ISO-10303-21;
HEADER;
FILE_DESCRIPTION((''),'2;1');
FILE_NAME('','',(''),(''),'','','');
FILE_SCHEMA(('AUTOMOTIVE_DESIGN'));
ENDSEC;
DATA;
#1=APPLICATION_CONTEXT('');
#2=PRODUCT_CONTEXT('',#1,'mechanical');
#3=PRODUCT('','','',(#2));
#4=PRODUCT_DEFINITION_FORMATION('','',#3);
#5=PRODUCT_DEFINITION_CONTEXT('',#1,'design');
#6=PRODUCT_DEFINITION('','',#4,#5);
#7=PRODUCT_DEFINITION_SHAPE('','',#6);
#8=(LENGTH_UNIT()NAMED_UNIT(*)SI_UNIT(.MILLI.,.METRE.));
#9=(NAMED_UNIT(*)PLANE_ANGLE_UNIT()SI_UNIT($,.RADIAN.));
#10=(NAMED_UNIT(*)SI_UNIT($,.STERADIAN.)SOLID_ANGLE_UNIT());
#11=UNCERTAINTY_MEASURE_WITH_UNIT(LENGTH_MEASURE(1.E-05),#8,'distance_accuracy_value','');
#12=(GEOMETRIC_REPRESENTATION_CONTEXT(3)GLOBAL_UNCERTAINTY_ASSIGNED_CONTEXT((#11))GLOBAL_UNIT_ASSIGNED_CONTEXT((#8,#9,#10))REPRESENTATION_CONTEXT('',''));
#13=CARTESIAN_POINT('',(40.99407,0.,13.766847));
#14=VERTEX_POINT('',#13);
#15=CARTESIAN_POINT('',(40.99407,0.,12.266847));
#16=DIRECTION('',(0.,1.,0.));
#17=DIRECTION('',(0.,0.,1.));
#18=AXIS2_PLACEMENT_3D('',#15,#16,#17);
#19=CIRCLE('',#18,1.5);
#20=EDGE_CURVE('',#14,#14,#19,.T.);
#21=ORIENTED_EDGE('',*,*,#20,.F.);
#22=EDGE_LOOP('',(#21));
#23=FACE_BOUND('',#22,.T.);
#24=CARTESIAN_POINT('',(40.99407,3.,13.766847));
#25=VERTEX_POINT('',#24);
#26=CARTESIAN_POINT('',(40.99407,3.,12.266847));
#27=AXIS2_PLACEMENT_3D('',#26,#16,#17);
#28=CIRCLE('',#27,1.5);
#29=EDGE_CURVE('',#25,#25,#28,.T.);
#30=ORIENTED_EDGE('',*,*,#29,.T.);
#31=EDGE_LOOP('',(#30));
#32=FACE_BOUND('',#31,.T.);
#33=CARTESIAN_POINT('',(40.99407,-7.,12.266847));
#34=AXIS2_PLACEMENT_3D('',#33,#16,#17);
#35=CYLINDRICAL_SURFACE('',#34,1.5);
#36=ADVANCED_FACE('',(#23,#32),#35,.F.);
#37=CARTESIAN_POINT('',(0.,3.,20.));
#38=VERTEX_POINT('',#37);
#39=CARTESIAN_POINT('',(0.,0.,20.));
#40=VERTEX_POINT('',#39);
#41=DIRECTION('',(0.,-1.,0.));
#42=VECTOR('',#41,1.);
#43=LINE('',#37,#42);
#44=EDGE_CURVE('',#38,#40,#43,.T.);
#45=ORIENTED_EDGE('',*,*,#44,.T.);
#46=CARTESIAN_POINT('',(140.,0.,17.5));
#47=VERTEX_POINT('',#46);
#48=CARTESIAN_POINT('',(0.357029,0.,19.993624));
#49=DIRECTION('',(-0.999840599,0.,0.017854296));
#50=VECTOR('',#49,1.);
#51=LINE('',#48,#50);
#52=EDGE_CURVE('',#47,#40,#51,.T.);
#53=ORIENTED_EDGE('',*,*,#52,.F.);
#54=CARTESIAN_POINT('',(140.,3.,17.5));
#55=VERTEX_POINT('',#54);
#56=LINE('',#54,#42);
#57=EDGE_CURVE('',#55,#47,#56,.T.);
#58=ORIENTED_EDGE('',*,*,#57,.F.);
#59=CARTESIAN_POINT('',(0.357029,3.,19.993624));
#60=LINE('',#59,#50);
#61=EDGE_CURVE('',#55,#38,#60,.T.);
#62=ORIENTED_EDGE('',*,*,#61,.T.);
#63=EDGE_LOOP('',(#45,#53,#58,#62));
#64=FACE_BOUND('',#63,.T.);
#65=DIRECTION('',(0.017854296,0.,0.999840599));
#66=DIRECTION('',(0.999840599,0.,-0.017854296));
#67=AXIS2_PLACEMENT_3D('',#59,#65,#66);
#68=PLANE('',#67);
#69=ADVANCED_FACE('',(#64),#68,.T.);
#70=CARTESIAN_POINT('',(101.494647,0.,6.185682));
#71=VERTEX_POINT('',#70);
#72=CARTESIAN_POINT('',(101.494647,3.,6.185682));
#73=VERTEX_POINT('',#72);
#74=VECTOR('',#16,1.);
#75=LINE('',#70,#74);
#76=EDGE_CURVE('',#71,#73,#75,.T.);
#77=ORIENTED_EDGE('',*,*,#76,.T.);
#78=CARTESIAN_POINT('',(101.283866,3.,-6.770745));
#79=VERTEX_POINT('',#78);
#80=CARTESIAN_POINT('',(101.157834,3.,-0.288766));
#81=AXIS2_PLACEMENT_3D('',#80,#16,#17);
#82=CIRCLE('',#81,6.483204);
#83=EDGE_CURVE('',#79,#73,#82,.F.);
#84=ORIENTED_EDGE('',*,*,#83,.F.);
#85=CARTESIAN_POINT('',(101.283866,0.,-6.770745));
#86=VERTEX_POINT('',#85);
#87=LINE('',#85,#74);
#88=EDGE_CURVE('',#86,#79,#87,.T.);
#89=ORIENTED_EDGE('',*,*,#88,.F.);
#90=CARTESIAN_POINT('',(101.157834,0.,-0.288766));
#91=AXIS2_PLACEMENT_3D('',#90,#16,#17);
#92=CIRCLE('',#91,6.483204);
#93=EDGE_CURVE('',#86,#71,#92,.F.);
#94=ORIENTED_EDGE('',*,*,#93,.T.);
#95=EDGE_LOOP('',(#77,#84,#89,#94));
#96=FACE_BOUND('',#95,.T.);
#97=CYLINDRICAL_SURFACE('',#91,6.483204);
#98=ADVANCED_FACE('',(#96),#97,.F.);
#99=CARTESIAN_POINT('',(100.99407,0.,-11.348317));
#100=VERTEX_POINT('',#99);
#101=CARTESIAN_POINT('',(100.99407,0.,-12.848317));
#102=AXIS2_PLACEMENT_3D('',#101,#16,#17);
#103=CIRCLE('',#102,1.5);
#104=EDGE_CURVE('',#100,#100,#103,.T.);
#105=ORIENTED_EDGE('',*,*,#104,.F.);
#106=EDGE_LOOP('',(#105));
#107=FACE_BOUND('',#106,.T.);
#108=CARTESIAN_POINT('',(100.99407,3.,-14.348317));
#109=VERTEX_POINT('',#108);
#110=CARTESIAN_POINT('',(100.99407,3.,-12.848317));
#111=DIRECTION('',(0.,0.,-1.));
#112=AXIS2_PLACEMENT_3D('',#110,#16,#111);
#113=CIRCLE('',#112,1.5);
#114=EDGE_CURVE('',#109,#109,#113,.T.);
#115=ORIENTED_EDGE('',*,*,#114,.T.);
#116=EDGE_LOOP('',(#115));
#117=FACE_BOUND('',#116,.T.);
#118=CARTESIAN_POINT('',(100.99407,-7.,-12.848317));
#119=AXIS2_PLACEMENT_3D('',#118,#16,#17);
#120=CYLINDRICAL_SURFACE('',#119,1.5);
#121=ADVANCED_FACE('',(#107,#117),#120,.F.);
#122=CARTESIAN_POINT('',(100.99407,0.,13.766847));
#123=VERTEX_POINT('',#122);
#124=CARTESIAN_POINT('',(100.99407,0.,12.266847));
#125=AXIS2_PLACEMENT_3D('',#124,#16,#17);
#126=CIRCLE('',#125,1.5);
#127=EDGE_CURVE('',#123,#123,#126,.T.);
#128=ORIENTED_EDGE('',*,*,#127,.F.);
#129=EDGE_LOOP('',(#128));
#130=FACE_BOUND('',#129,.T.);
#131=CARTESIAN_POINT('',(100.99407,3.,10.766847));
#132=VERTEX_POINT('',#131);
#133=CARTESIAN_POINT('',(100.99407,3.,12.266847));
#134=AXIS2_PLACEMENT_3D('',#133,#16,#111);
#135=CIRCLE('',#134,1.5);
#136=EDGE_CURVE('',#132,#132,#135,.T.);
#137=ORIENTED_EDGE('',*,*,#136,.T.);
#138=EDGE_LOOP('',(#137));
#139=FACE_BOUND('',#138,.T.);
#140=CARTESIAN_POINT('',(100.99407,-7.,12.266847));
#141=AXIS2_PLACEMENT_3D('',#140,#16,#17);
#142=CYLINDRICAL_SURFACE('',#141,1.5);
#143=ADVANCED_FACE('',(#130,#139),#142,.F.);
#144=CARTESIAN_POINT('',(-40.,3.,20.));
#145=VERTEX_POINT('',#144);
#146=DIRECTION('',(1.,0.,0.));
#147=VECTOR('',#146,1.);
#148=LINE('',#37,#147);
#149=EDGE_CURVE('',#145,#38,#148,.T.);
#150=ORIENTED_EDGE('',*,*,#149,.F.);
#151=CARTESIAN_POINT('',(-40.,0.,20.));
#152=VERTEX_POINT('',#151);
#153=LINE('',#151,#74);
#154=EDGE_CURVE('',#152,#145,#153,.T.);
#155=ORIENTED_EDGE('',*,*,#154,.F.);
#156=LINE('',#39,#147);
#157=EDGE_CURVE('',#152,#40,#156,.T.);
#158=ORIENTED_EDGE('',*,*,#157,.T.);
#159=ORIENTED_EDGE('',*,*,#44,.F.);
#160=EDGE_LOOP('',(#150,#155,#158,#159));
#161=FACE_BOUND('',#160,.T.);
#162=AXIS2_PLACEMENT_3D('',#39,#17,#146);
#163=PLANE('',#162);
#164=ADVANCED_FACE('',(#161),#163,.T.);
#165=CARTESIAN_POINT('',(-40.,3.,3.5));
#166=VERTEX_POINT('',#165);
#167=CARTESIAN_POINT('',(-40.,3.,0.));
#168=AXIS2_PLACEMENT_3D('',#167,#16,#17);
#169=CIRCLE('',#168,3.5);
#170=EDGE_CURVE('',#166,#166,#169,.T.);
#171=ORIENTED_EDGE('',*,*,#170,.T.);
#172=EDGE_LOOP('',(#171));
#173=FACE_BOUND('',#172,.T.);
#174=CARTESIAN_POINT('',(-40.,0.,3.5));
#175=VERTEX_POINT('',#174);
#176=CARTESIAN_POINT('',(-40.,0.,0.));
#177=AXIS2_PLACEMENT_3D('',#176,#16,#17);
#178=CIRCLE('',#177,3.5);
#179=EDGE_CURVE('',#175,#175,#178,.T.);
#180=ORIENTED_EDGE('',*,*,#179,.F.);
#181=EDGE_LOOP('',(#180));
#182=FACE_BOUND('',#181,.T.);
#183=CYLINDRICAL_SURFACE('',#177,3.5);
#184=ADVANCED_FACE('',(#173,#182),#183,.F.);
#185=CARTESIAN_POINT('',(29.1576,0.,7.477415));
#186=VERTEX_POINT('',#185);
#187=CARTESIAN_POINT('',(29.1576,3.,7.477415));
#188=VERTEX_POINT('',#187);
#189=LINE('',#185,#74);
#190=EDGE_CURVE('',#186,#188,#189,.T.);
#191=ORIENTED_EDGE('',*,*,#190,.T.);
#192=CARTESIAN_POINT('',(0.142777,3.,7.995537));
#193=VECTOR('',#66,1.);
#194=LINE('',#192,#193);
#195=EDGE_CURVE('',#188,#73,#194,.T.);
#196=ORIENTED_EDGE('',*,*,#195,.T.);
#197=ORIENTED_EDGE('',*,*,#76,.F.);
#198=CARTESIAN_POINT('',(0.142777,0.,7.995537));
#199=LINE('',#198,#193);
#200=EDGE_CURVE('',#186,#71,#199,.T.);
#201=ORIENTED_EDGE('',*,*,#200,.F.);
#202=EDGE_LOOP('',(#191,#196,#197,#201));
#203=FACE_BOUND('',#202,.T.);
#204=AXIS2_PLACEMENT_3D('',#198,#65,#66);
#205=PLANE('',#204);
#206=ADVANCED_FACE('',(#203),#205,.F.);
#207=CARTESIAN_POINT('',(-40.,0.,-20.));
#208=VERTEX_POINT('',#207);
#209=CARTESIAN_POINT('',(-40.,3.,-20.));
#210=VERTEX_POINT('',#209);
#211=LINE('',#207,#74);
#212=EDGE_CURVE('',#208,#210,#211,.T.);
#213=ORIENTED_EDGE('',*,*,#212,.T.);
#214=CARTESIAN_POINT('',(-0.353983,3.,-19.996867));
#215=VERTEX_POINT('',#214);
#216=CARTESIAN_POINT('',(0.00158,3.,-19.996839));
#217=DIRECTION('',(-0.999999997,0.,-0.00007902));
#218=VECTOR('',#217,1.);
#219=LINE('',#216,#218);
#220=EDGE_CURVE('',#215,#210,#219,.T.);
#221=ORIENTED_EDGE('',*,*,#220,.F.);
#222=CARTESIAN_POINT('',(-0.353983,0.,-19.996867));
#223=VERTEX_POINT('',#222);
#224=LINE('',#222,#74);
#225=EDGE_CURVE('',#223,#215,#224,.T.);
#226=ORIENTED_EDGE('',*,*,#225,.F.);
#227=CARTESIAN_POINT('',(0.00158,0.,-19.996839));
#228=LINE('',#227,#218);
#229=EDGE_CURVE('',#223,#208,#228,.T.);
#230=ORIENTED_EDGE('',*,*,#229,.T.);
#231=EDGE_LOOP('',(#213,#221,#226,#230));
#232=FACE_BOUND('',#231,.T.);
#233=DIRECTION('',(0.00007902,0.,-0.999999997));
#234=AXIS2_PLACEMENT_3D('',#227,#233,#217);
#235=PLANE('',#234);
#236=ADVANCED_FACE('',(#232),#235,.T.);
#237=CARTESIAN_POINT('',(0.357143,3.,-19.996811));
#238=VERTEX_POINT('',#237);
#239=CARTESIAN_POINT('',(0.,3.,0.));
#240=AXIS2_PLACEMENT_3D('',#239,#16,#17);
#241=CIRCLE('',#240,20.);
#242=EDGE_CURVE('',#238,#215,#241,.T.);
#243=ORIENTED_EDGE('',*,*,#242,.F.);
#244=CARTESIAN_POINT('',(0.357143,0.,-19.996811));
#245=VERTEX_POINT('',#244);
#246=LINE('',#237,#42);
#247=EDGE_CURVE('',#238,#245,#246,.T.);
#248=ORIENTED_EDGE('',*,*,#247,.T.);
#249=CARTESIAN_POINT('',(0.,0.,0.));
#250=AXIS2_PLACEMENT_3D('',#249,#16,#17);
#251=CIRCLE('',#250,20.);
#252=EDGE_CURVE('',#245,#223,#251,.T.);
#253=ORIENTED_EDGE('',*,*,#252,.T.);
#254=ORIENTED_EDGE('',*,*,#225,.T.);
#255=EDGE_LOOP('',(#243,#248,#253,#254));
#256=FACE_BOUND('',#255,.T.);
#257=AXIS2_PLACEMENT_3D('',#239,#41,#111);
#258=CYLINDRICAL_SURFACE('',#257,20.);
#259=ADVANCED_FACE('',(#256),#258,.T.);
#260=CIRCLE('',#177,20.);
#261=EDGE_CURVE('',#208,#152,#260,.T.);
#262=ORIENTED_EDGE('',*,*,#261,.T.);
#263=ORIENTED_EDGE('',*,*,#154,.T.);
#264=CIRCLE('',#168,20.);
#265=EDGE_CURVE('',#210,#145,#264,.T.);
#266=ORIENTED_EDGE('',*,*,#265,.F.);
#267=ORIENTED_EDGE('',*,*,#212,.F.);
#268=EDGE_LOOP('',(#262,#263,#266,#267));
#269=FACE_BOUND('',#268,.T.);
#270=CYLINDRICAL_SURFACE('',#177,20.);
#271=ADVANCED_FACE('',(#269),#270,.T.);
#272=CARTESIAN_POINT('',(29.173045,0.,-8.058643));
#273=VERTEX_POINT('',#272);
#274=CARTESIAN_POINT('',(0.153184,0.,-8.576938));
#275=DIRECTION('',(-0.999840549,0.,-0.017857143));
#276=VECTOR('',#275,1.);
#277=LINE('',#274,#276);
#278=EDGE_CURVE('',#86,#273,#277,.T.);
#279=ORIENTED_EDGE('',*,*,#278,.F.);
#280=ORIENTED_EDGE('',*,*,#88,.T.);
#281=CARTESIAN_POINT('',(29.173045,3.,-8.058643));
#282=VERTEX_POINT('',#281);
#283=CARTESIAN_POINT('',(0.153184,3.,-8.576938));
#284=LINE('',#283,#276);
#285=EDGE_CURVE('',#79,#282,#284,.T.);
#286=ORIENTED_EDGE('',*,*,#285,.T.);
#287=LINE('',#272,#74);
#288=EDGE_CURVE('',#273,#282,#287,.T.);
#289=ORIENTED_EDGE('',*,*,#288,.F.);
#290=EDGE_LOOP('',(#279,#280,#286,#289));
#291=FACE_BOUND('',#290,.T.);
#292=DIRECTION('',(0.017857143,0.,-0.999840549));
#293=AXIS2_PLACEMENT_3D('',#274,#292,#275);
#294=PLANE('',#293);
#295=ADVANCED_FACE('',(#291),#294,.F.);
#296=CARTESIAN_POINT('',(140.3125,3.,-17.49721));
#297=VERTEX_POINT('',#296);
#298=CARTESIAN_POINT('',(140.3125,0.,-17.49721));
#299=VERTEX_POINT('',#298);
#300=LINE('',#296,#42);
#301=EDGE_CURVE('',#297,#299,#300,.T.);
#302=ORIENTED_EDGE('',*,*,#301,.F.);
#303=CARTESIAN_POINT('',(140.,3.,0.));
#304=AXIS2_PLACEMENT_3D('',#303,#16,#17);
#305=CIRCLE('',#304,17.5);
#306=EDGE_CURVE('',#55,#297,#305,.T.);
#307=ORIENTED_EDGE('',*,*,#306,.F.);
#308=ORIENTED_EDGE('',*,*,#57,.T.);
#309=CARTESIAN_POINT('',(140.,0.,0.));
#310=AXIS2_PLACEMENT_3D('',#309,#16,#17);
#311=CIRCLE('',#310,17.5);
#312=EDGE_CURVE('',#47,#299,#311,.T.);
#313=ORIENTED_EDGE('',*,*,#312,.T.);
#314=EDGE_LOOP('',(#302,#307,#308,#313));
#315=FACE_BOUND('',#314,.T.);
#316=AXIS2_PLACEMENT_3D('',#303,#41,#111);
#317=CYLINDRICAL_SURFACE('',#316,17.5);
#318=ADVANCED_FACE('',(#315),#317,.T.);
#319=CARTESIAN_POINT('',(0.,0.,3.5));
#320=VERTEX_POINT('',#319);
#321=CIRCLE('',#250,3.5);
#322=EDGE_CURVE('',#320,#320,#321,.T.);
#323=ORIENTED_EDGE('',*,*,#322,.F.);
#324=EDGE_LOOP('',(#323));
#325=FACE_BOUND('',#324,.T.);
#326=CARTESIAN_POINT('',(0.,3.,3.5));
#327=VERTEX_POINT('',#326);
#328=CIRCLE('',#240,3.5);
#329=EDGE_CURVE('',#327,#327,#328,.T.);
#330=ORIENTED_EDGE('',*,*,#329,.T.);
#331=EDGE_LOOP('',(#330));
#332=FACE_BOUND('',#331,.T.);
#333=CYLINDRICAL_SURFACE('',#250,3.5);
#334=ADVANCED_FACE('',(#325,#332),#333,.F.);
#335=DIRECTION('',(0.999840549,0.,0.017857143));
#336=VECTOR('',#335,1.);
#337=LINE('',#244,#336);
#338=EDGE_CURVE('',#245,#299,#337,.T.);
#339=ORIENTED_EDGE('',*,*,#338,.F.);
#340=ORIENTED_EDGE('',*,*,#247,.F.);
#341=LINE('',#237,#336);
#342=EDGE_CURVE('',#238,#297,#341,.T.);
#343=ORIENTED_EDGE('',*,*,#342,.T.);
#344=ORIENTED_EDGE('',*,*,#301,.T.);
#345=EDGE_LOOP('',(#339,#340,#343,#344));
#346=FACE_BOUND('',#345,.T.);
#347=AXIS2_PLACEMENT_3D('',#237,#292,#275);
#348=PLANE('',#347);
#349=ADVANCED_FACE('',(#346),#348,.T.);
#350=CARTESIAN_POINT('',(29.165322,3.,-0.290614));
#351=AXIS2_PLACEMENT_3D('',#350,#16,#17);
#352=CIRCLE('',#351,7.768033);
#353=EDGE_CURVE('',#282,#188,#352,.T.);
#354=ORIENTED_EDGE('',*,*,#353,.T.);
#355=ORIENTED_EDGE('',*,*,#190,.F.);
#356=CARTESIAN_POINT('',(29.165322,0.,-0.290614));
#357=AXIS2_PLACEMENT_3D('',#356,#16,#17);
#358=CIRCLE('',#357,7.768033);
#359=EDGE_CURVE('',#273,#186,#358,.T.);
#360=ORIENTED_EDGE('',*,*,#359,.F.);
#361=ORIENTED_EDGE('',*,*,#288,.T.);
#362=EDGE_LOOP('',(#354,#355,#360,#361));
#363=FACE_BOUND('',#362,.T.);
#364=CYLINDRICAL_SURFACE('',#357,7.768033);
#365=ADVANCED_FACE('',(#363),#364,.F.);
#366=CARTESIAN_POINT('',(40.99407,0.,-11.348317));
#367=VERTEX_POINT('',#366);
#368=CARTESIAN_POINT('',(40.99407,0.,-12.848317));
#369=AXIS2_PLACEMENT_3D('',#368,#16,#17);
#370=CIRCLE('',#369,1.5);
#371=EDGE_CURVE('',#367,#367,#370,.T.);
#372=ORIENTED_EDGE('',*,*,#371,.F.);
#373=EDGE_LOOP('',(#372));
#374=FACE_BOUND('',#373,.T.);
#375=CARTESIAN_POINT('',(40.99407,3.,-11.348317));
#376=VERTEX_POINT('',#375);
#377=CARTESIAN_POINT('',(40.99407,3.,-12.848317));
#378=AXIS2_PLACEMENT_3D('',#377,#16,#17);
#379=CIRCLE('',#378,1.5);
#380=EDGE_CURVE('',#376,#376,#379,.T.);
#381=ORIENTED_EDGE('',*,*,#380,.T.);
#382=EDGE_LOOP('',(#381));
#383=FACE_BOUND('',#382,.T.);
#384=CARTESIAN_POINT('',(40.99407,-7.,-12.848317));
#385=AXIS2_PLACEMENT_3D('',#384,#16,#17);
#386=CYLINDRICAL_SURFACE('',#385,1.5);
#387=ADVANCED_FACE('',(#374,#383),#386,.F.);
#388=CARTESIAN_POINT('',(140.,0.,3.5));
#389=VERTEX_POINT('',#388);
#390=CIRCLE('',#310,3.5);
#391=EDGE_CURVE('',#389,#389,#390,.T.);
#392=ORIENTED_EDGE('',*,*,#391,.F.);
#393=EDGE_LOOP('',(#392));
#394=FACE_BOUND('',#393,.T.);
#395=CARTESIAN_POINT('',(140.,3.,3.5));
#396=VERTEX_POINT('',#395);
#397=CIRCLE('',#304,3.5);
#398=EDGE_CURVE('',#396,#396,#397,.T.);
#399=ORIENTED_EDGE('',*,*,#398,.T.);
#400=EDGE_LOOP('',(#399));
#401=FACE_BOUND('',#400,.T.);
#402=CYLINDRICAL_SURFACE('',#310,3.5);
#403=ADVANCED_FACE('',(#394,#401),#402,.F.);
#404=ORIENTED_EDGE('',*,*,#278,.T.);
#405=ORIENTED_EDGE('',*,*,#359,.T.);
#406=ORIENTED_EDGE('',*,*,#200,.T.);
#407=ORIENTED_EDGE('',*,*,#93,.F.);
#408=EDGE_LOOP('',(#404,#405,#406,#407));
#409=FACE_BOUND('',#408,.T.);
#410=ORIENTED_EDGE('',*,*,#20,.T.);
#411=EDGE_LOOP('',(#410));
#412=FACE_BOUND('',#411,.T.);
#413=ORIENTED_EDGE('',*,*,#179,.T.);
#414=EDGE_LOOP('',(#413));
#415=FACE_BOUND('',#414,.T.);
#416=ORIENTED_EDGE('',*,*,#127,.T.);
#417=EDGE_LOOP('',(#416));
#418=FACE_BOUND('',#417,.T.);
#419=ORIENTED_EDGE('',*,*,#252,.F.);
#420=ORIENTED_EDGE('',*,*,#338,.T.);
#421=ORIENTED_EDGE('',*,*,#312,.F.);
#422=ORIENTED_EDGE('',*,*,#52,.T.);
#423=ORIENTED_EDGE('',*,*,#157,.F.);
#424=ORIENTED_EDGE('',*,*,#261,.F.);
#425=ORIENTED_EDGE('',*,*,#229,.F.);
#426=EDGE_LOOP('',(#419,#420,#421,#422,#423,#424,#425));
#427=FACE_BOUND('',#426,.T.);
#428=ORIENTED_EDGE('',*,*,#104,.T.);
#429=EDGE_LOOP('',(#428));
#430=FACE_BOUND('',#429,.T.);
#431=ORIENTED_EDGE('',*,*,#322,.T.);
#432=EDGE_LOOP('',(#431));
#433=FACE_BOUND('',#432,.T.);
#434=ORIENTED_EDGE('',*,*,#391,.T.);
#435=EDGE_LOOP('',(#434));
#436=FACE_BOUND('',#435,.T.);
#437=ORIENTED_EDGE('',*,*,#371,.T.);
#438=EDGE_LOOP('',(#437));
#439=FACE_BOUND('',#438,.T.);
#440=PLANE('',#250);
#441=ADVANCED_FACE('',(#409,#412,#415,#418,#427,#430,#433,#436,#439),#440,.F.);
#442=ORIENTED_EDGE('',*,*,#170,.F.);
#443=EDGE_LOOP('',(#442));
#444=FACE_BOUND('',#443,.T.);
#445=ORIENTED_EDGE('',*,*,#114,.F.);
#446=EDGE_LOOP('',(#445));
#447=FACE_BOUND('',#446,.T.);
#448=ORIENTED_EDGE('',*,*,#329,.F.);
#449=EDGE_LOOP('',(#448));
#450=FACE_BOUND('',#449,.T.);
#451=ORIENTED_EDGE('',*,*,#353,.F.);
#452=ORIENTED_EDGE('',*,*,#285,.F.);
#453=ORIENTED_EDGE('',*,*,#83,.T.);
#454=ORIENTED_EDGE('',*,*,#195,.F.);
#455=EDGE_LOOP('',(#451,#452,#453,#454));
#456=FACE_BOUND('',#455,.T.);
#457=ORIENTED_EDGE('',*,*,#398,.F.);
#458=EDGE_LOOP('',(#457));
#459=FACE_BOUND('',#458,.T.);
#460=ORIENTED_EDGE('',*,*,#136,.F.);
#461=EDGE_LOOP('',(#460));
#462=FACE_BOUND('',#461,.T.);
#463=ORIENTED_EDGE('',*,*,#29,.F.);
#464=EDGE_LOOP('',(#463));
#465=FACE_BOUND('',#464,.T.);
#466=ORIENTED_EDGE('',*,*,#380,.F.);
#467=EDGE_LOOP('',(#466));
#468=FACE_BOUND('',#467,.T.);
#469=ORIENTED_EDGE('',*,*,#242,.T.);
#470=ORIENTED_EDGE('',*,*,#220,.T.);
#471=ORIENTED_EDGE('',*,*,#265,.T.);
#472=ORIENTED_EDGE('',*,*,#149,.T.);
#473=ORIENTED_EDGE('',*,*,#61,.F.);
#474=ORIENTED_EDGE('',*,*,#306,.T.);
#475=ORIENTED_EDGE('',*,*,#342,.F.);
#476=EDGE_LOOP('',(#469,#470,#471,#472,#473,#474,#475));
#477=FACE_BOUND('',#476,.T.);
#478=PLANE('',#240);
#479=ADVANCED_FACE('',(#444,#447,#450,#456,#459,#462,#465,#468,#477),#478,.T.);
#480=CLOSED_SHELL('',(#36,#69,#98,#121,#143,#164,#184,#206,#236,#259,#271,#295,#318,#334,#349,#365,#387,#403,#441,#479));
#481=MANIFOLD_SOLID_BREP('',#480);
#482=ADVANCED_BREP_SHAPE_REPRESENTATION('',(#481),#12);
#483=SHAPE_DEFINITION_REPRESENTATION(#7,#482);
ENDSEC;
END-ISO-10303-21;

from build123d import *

# Parameters (mm, degrees)
BOSS_EXTRUDE1_DEPTH = 3
SKETCH2_R           = 3.5
CUT_EXTRUDE1_DEPTH  = 159.793104384
CUT_EXTRUDE3_DEPTH  = 159.793104384
BOSS_EXTRUDE2_START = -3
SKETCH10_R          = 3.5
BOSS_EXTRUDE2_DEPTH = 3
SKETCH11_R          = 1.5
CUT_EXTRUDE4_DEPTH  = 10


with BuildPart() as part:
    # Sketch1 → Boss-Extrude1 (new body)
    with BuildSketch(Plane(origin=(0, 0, 0), x_dir=(1, 0, 0), z_dir=(0, 1, 0))):
        with BuildLine():
            Line((140.3125, 17.497209599), (0.357142857, 19.99681097))
            ThreePointArc((0.357142857, 19.99681097), (-19.999202727, 0.178578547), (0, -20))
            Line((0, -20), (140, -17.5))
            ThreePointArc((140, -17.5), (157.499302386, -0.156256229), (140.3125, 17.497209599))
        make_face()
    extrude(amount=BOSS_EXTRUDE1_DEPTH)

    # Sketch2 → Cut-Extrude1 (cut, through all)
    with BuildSketch(Plane(origin=(0, 3, 0), x_dir=(1, 0, 0), z_dir=(0, 1, 0))):
        with Locations(Location((0, 0, 0), (0, 0, 270))):
            Circle(SKETCH2_R)
        with Locations(Location((140, 0, 0), (0, 0, 270))):
            Circle(SKETCH2_R)
    extrude(amount=-CUT_EXTRUDE1_DEPTH, mode=Mode.SUBTRACT)

    # Sketch4 → Cut-Extrude3 (cut, through all)
    with BuildSketch(Plane(origin=(0, 3, 0), x_dir=(1, 0, 0), z_dir=(0, 1, 0))):
        with BuildLine():
            ThreePointArc((101.494647455, -6.185682468), (107.64017994, 0.394224207), (101.283865867, 6.770744637))
            Line((101.283865867, 6.770744637), (29.173044697, 8.058643229))
            ThreePointArc((29.173044697, 8.058643229), (21.397292905, 0.29833633), (29.157599804, -7.477415462))
            Line((29.157599804, -7.477415462), (101.052392136, -6.193579885))
            Line((101.052392136, -6.193579885), (101.494647455, -6.185682468))
        make_face()
    extrude(amount=-CUT_EXTRUDE3_DEPTH, mode=Mode.SUBTRACT)

    # Sketch10 → Boss-Extrude2 (add)
    with BuildSketch(Plane(origin=(0, 3, 0), x_dir=(1, 0, 0), z_dir=(0, 1, 0)).offset(BOSS_EXTRUDE2_START)):
        with BuildLine():
            Line((-0.353982548, 19.996867164), (-39.998419596, 19.999999875))
            Line((-39.998419596, 19.999999875), (-40, 20))
            ThreePointArc((-40, 19.999999938), (-59.999999938, -3.1e-08), (-40, -20))
            Line((-40, -20), (0, -20))
            ThreePointArc((0, -20), (-19.999216776, -0.176998206), (-0.353982548, 19.996867164))
        make_face()
        with Locations(Location((-40, 0, 0), (0, 0, 270))):
            Circle(SKETCH10_R, mode=Mode.SUBTRACT)
    extrude(amount=BOSS_EXTRUDE2_DEPTH)

    # Sketch11 → Cut-Extrude4 (cut)
    with BuildSketch(Plane(origin=(0, 3, 0), x_dir=(1, 0, 0), z_dir=(0, 1, 0))):
        with Locations(Location((40.994069635, 12.848317219, 0), (0, 0, 270))):
            Circle(SKETCH11_R)
        with Locations(Location((40.994069635, -12.26684706, 0), (0, 0, 270))):
            Circle(SKETCH11_R)
        with Locations(Location((100.994069635, -12.26684706, 0), (0, 0, 270))):
            Circle(SKETCH11_R)
        with Locations(Location((100.994069635, 12.848317219, 0), (0, 0, 270))):
            Circle(SKETCH11_R)
    extrude(amount=-CUT_EXTRUDE4_DEPTH, mode=Mode.SUBTRACT)


solid = part.part
